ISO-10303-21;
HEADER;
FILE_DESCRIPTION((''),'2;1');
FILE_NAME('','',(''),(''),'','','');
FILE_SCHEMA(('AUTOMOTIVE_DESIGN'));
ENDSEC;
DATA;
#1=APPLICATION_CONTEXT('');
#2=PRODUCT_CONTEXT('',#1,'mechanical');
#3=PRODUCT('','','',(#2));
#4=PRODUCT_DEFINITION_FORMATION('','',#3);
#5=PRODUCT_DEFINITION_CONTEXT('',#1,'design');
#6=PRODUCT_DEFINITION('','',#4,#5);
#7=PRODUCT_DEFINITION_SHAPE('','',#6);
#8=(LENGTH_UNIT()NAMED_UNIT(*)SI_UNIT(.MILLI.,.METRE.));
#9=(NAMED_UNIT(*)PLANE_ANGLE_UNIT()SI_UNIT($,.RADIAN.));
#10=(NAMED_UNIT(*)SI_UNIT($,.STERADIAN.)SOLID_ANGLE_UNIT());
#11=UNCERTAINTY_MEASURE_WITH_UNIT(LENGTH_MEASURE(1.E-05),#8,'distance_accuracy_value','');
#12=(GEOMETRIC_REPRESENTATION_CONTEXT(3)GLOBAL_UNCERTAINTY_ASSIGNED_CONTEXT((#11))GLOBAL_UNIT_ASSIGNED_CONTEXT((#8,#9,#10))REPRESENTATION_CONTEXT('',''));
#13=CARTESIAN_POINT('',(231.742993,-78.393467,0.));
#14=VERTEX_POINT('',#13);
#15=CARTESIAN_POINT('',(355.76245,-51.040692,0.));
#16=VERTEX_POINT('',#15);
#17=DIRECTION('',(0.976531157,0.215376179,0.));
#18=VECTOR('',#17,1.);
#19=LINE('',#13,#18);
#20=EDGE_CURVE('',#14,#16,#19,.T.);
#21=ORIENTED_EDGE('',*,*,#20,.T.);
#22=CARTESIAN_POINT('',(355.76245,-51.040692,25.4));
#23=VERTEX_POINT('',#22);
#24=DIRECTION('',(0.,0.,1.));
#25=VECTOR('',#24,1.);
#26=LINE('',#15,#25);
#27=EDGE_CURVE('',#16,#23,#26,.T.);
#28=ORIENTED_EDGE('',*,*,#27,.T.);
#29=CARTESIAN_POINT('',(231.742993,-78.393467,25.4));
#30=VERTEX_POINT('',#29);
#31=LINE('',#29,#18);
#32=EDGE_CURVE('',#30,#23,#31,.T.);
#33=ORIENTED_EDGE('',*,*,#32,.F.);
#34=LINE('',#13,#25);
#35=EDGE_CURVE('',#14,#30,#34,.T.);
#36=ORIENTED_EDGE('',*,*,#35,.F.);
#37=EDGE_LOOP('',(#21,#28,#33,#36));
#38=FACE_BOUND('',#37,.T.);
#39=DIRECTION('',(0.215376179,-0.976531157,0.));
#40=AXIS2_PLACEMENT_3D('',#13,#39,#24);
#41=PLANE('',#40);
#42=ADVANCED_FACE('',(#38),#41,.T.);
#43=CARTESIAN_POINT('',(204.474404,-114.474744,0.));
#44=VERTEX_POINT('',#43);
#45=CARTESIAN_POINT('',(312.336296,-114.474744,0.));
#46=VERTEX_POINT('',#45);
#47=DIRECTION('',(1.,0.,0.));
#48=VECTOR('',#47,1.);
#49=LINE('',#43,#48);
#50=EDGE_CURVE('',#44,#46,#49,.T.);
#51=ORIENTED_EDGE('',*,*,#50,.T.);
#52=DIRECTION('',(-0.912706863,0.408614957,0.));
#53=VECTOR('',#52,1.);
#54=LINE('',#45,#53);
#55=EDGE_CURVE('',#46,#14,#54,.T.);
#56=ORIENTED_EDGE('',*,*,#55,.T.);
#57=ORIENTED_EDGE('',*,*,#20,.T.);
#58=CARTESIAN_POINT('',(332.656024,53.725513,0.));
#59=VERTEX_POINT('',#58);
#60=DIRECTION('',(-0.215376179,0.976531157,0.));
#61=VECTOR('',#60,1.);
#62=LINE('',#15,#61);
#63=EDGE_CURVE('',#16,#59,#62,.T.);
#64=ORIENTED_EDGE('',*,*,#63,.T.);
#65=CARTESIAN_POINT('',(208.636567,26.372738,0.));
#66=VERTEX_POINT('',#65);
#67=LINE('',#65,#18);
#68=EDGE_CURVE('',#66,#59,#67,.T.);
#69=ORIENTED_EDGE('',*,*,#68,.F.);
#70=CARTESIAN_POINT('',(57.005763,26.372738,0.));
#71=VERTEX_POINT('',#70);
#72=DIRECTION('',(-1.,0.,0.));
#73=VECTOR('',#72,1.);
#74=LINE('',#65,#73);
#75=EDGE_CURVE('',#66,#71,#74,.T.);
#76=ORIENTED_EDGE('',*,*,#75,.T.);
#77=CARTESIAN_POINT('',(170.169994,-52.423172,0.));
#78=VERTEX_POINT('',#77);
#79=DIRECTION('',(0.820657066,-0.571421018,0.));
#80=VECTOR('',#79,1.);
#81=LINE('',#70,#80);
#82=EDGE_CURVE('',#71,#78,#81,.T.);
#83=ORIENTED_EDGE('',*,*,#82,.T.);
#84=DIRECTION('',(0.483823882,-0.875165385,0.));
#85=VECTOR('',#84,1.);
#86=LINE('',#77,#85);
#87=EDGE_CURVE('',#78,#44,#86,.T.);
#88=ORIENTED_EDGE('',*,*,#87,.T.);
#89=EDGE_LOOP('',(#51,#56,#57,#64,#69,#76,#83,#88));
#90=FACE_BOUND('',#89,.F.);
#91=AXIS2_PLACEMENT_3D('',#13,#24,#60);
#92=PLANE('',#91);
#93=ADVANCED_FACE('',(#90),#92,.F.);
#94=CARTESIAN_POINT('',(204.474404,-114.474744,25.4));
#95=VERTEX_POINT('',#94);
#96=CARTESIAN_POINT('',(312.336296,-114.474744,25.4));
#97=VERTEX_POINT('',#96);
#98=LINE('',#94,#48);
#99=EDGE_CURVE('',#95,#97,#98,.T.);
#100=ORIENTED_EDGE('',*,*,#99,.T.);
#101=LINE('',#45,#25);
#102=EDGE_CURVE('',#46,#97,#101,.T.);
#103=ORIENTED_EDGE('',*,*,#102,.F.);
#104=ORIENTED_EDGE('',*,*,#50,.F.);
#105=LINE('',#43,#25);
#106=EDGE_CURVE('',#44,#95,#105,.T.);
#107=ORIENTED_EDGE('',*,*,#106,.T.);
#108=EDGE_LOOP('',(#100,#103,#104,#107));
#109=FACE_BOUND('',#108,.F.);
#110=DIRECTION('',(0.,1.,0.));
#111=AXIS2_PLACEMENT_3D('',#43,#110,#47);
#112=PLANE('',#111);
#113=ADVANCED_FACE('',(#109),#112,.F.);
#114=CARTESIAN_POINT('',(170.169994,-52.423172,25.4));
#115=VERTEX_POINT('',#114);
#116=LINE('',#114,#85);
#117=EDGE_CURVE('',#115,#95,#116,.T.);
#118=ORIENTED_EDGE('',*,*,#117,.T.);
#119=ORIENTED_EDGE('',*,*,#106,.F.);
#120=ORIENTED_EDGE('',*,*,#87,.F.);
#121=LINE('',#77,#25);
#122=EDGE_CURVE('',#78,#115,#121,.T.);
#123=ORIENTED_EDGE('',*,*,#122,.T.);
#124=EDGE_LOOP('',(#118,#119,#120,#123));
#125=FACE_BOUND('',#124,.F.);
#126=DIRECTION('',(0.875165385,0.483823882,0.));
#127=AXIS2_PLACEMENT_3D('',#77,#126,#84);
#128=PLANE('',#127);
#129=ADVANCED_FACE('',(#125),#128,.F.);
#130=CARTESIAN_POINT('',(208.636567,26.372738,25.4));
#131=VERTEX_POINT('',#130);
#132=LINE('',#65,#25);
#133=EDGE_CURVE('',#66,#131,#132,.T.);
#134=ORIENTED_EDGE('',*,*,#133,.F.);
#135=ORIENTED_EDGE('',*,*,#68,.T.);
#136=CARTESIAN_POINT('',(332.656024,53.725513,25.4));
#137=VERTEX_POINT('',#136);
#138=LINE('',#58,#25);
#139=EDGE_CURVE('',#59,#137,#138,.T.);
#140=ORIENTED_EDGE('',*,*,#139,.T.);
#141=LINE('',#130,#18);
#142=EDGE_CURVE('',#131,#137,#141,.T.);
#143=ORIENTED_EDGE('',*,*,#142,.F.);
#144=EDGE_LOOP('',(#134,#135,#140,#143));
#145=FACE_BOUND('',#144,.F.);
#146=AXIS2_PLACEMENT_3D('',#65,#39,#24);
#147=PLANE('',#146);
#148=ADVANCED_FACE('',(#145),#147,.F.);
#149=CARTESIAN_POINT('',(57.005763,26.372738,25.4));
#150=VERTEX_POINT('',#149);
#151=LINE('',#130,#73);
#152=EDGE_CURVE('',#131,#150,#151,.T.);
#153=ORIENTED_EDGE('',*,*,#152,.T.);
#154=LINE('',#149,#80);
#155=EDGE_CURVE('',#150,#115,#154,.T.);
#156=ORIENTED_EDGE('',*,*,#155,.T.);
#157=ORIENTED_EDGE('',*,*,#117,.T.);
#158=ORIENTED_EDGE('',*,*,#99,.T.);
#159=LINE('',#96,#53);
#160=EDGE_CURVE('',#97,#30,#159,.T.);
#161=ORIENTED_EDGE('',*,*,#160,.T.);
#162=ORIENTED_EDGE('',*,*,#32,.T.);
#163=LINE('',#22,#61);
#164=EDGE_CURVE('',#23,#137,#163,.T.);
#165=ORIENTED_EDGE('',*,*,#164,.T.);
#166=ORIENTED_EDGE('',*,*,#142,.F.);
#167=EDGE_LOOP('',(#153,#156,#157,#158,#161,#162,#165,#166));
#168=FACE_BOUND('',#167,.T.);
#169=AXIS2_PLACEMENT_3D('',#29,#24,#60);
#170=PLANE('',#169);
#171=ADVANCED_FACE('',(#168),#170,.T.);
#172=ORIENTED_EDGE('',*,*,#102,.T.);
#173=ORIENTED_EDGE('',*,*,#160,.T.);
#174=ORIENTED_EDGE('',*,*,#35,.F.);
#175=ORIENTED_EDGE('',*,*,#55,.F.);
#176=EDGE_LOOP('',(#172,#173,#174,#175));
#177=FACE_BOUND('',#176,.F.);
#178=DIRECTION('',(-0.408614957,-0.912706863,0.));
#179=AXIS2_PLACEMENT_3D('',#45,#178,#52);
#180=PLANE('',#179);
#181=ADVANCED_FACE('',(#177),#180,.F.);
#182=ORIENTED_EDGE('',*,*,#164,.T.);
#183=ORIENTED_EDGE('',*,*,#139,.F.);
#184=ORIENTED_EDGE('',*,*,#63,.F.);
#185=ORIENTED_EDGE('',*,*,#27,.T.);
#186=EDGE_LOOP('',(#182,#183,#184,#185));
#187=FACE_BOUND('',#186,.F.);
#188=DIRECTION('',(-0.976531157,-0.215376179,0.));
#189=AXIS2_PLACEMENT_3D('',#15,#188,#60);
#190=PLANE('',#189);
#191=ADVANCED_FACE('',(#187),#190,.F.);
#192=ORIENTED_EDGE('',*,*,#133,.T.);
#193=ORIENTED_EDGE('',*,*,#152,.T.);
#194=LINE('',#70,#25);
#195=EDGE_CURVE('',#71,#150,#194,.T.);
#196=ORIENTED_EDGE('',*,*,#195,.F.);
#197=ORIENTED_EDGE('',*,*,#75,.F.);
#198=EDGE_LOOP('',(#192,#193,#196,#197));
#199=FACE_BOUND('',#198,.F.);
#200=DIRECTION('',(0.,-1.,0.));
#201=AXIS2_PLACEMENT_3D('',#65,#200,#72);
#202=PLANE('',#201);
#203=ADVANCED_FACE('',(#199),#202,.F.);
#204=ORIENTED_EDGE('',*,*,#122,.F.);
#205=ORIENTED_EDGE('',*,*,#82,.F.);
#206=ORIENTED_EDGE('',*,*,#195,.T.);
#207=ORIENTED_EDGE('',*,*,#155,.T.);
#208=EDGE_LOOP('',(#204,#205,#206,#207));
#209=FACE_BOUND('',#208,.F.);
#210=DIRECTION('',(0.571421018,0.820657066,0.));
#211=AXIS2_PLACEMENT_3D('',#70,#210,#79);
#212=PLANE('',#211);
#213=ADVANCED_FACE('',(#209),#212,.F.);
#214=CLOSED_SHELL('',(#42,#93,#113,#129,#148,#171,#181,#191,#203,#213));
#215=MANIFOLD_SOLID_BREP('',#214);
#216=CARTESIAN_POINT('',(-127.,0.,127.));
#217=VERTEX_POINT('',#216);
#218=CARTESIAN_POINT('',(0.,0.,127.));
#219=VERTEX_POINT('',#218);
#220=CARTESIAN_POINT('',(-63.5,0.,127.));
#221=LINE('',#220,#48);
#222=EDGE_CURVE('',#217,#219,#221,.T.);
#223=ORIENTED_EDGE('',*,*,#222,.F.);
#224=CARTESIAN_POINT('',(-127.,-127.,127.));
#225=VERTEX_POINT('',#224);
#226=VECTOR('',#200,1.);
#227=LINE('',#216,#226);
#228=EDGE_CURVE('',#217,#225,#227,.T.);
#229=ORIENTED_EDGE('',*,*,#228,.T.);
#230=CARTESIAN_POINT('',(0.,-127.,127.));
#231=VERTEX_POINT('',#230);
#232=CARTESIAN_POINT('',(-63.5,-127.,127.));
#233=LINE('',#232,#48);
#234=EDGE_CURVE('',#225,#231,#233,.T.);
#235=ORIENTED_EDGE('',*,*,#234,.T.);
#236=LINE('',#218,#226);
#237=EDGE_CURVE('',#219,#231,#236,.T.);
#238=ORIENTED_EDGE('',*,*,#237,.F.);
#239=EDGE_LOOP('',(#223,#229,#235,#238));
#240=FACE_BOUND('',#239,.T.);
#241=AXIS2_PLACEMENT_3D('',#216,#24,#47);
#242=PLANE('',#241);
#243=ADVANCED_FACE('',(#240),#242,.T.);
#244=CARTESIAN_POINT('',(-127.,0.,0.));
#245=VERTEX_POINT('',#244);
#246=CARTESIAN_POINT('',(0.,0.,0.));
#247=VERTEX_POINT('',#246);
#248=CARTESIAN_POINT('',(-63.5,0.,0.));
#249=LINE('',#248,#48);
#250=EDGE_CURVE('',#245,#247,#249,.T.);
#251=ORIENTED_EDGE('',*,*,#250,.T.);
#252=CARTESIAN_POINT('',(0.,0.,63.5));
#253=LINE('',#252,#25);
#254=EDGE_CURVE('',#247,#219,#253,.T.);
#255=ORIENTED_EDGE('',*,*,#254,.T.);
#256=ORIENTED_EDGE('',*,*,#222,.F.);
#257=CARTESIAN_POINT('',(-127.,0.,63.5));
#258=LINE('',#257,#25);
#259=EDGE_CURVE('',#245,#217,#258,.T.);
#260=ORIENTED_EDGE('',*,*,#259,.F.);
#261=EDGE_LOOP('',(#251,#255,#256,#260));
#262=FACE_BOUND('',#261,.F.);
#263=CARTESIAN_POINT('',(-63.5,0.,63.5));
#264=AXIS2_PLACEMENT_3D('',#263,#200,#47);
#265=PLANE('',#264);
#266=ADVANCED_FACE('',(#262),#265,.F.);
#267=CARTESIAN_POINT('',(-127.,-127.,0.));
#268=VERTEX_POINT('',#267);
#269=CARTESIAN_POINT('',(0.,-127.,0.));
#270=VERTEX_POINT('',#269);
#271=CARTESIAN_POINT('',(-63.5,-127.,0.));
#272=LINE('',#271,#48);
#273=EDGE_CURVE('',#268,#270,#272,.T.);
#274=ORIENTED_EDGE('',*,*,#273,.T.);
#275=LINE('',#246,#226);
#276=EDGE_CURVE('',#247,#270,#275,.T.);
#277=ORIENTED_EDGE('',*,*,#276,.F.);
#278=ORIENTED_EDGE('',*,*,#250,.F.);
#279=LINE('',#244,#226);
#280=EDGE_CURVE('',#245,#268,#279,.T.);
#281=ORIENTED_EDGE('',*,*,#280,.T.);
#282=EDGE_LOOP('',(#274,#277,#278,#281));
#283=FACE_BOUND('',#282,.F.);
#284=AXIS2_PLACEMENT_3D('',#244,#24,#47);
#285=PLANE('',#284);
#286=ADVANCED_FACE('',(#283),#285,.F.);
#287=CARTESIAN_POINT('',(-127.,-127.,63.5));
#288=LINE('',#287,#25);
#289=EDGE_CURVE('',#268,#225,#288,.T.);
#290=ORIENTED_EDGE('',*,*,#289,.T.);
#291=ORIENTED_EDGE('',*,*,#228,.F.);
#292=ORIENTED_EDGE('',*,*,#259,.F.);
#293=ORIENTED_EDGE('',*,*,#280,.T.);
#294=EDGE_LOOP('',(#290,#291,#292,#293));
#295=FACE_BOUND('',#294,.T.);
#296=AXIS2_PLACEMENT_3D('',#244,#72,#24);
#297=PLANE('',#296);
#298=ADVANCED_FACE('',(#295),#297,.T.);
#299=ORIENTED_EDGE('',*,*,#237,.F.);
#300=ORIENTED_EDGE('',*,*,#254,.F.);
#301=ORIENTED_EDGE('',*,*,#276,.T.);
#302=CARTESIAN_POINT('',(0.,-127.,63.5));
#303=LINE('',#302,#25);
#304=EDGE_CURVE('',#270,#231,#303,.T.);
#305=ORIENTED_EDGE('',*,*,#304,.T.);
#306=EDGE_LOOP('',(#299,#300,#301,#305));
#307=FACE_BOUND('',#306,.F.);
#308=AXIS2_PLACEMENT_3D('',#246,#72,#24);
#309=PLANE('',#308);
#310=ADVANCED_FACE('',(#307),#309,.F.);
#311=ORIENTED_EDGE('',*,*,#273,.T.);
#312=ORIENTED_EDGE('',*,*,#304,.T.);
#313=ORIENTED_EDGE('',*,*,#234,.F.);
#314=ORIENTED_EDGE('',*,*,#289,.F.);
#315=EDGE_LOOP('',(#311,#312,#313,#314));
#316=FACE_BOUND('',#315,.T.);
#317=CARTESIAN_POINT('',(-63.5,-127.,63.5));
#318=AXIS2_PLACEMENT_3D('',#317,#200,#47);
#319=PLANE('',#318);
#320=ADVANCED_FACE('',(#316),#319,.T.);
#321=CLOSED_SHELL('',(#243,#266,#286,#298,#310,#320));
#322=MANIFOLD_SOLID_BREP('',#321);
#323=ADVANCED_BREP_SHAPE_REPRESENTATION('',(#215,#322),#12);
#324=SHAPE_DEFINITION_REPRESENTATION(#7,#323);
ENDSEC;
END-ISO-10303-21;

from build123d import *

# Parameters (mm, degrees)
F0_W     = 127
F0_H     = 127
F1_DEPTH = 127
F3_DEPTH = 25.4
F4_DEPTH = 127


with BuildPart() as f1:
    # F0 (on Front) → F1 (new body)
    with BuildSketch(Plane.XZ):
        with Locations((-63.5, 63.5)):
            Rectangle(F0_W, F0_H)
    extrude(amount=F1_DEPTH)


with BuildPart() as f3:
    # F2 (on Top) → F3 (new body)
    with BuildSketch(Plane.XY):
        Polygon((208.6365669966, 26.3727381825), (57.0057630539, 26.3727381825), (170.169994235, -52.423171699), (204.4744044542, -114.4747436047), (312.3362958431, -114.4747436047), (231.7429929972, -78.3934667706), align=None)
    extrude(amount=F3_DEPTH)

    # F4 (add): a face of the model
    f4_faces = [f3.faces().sort_by_distance(p)[0] for p in [
        (220.1897799969, -26.0103642941, 12.7),
    ]]
    extrude(f4_faces, amount=F4_DEPTH)


solid = Compound([f1.part, f3.part])
